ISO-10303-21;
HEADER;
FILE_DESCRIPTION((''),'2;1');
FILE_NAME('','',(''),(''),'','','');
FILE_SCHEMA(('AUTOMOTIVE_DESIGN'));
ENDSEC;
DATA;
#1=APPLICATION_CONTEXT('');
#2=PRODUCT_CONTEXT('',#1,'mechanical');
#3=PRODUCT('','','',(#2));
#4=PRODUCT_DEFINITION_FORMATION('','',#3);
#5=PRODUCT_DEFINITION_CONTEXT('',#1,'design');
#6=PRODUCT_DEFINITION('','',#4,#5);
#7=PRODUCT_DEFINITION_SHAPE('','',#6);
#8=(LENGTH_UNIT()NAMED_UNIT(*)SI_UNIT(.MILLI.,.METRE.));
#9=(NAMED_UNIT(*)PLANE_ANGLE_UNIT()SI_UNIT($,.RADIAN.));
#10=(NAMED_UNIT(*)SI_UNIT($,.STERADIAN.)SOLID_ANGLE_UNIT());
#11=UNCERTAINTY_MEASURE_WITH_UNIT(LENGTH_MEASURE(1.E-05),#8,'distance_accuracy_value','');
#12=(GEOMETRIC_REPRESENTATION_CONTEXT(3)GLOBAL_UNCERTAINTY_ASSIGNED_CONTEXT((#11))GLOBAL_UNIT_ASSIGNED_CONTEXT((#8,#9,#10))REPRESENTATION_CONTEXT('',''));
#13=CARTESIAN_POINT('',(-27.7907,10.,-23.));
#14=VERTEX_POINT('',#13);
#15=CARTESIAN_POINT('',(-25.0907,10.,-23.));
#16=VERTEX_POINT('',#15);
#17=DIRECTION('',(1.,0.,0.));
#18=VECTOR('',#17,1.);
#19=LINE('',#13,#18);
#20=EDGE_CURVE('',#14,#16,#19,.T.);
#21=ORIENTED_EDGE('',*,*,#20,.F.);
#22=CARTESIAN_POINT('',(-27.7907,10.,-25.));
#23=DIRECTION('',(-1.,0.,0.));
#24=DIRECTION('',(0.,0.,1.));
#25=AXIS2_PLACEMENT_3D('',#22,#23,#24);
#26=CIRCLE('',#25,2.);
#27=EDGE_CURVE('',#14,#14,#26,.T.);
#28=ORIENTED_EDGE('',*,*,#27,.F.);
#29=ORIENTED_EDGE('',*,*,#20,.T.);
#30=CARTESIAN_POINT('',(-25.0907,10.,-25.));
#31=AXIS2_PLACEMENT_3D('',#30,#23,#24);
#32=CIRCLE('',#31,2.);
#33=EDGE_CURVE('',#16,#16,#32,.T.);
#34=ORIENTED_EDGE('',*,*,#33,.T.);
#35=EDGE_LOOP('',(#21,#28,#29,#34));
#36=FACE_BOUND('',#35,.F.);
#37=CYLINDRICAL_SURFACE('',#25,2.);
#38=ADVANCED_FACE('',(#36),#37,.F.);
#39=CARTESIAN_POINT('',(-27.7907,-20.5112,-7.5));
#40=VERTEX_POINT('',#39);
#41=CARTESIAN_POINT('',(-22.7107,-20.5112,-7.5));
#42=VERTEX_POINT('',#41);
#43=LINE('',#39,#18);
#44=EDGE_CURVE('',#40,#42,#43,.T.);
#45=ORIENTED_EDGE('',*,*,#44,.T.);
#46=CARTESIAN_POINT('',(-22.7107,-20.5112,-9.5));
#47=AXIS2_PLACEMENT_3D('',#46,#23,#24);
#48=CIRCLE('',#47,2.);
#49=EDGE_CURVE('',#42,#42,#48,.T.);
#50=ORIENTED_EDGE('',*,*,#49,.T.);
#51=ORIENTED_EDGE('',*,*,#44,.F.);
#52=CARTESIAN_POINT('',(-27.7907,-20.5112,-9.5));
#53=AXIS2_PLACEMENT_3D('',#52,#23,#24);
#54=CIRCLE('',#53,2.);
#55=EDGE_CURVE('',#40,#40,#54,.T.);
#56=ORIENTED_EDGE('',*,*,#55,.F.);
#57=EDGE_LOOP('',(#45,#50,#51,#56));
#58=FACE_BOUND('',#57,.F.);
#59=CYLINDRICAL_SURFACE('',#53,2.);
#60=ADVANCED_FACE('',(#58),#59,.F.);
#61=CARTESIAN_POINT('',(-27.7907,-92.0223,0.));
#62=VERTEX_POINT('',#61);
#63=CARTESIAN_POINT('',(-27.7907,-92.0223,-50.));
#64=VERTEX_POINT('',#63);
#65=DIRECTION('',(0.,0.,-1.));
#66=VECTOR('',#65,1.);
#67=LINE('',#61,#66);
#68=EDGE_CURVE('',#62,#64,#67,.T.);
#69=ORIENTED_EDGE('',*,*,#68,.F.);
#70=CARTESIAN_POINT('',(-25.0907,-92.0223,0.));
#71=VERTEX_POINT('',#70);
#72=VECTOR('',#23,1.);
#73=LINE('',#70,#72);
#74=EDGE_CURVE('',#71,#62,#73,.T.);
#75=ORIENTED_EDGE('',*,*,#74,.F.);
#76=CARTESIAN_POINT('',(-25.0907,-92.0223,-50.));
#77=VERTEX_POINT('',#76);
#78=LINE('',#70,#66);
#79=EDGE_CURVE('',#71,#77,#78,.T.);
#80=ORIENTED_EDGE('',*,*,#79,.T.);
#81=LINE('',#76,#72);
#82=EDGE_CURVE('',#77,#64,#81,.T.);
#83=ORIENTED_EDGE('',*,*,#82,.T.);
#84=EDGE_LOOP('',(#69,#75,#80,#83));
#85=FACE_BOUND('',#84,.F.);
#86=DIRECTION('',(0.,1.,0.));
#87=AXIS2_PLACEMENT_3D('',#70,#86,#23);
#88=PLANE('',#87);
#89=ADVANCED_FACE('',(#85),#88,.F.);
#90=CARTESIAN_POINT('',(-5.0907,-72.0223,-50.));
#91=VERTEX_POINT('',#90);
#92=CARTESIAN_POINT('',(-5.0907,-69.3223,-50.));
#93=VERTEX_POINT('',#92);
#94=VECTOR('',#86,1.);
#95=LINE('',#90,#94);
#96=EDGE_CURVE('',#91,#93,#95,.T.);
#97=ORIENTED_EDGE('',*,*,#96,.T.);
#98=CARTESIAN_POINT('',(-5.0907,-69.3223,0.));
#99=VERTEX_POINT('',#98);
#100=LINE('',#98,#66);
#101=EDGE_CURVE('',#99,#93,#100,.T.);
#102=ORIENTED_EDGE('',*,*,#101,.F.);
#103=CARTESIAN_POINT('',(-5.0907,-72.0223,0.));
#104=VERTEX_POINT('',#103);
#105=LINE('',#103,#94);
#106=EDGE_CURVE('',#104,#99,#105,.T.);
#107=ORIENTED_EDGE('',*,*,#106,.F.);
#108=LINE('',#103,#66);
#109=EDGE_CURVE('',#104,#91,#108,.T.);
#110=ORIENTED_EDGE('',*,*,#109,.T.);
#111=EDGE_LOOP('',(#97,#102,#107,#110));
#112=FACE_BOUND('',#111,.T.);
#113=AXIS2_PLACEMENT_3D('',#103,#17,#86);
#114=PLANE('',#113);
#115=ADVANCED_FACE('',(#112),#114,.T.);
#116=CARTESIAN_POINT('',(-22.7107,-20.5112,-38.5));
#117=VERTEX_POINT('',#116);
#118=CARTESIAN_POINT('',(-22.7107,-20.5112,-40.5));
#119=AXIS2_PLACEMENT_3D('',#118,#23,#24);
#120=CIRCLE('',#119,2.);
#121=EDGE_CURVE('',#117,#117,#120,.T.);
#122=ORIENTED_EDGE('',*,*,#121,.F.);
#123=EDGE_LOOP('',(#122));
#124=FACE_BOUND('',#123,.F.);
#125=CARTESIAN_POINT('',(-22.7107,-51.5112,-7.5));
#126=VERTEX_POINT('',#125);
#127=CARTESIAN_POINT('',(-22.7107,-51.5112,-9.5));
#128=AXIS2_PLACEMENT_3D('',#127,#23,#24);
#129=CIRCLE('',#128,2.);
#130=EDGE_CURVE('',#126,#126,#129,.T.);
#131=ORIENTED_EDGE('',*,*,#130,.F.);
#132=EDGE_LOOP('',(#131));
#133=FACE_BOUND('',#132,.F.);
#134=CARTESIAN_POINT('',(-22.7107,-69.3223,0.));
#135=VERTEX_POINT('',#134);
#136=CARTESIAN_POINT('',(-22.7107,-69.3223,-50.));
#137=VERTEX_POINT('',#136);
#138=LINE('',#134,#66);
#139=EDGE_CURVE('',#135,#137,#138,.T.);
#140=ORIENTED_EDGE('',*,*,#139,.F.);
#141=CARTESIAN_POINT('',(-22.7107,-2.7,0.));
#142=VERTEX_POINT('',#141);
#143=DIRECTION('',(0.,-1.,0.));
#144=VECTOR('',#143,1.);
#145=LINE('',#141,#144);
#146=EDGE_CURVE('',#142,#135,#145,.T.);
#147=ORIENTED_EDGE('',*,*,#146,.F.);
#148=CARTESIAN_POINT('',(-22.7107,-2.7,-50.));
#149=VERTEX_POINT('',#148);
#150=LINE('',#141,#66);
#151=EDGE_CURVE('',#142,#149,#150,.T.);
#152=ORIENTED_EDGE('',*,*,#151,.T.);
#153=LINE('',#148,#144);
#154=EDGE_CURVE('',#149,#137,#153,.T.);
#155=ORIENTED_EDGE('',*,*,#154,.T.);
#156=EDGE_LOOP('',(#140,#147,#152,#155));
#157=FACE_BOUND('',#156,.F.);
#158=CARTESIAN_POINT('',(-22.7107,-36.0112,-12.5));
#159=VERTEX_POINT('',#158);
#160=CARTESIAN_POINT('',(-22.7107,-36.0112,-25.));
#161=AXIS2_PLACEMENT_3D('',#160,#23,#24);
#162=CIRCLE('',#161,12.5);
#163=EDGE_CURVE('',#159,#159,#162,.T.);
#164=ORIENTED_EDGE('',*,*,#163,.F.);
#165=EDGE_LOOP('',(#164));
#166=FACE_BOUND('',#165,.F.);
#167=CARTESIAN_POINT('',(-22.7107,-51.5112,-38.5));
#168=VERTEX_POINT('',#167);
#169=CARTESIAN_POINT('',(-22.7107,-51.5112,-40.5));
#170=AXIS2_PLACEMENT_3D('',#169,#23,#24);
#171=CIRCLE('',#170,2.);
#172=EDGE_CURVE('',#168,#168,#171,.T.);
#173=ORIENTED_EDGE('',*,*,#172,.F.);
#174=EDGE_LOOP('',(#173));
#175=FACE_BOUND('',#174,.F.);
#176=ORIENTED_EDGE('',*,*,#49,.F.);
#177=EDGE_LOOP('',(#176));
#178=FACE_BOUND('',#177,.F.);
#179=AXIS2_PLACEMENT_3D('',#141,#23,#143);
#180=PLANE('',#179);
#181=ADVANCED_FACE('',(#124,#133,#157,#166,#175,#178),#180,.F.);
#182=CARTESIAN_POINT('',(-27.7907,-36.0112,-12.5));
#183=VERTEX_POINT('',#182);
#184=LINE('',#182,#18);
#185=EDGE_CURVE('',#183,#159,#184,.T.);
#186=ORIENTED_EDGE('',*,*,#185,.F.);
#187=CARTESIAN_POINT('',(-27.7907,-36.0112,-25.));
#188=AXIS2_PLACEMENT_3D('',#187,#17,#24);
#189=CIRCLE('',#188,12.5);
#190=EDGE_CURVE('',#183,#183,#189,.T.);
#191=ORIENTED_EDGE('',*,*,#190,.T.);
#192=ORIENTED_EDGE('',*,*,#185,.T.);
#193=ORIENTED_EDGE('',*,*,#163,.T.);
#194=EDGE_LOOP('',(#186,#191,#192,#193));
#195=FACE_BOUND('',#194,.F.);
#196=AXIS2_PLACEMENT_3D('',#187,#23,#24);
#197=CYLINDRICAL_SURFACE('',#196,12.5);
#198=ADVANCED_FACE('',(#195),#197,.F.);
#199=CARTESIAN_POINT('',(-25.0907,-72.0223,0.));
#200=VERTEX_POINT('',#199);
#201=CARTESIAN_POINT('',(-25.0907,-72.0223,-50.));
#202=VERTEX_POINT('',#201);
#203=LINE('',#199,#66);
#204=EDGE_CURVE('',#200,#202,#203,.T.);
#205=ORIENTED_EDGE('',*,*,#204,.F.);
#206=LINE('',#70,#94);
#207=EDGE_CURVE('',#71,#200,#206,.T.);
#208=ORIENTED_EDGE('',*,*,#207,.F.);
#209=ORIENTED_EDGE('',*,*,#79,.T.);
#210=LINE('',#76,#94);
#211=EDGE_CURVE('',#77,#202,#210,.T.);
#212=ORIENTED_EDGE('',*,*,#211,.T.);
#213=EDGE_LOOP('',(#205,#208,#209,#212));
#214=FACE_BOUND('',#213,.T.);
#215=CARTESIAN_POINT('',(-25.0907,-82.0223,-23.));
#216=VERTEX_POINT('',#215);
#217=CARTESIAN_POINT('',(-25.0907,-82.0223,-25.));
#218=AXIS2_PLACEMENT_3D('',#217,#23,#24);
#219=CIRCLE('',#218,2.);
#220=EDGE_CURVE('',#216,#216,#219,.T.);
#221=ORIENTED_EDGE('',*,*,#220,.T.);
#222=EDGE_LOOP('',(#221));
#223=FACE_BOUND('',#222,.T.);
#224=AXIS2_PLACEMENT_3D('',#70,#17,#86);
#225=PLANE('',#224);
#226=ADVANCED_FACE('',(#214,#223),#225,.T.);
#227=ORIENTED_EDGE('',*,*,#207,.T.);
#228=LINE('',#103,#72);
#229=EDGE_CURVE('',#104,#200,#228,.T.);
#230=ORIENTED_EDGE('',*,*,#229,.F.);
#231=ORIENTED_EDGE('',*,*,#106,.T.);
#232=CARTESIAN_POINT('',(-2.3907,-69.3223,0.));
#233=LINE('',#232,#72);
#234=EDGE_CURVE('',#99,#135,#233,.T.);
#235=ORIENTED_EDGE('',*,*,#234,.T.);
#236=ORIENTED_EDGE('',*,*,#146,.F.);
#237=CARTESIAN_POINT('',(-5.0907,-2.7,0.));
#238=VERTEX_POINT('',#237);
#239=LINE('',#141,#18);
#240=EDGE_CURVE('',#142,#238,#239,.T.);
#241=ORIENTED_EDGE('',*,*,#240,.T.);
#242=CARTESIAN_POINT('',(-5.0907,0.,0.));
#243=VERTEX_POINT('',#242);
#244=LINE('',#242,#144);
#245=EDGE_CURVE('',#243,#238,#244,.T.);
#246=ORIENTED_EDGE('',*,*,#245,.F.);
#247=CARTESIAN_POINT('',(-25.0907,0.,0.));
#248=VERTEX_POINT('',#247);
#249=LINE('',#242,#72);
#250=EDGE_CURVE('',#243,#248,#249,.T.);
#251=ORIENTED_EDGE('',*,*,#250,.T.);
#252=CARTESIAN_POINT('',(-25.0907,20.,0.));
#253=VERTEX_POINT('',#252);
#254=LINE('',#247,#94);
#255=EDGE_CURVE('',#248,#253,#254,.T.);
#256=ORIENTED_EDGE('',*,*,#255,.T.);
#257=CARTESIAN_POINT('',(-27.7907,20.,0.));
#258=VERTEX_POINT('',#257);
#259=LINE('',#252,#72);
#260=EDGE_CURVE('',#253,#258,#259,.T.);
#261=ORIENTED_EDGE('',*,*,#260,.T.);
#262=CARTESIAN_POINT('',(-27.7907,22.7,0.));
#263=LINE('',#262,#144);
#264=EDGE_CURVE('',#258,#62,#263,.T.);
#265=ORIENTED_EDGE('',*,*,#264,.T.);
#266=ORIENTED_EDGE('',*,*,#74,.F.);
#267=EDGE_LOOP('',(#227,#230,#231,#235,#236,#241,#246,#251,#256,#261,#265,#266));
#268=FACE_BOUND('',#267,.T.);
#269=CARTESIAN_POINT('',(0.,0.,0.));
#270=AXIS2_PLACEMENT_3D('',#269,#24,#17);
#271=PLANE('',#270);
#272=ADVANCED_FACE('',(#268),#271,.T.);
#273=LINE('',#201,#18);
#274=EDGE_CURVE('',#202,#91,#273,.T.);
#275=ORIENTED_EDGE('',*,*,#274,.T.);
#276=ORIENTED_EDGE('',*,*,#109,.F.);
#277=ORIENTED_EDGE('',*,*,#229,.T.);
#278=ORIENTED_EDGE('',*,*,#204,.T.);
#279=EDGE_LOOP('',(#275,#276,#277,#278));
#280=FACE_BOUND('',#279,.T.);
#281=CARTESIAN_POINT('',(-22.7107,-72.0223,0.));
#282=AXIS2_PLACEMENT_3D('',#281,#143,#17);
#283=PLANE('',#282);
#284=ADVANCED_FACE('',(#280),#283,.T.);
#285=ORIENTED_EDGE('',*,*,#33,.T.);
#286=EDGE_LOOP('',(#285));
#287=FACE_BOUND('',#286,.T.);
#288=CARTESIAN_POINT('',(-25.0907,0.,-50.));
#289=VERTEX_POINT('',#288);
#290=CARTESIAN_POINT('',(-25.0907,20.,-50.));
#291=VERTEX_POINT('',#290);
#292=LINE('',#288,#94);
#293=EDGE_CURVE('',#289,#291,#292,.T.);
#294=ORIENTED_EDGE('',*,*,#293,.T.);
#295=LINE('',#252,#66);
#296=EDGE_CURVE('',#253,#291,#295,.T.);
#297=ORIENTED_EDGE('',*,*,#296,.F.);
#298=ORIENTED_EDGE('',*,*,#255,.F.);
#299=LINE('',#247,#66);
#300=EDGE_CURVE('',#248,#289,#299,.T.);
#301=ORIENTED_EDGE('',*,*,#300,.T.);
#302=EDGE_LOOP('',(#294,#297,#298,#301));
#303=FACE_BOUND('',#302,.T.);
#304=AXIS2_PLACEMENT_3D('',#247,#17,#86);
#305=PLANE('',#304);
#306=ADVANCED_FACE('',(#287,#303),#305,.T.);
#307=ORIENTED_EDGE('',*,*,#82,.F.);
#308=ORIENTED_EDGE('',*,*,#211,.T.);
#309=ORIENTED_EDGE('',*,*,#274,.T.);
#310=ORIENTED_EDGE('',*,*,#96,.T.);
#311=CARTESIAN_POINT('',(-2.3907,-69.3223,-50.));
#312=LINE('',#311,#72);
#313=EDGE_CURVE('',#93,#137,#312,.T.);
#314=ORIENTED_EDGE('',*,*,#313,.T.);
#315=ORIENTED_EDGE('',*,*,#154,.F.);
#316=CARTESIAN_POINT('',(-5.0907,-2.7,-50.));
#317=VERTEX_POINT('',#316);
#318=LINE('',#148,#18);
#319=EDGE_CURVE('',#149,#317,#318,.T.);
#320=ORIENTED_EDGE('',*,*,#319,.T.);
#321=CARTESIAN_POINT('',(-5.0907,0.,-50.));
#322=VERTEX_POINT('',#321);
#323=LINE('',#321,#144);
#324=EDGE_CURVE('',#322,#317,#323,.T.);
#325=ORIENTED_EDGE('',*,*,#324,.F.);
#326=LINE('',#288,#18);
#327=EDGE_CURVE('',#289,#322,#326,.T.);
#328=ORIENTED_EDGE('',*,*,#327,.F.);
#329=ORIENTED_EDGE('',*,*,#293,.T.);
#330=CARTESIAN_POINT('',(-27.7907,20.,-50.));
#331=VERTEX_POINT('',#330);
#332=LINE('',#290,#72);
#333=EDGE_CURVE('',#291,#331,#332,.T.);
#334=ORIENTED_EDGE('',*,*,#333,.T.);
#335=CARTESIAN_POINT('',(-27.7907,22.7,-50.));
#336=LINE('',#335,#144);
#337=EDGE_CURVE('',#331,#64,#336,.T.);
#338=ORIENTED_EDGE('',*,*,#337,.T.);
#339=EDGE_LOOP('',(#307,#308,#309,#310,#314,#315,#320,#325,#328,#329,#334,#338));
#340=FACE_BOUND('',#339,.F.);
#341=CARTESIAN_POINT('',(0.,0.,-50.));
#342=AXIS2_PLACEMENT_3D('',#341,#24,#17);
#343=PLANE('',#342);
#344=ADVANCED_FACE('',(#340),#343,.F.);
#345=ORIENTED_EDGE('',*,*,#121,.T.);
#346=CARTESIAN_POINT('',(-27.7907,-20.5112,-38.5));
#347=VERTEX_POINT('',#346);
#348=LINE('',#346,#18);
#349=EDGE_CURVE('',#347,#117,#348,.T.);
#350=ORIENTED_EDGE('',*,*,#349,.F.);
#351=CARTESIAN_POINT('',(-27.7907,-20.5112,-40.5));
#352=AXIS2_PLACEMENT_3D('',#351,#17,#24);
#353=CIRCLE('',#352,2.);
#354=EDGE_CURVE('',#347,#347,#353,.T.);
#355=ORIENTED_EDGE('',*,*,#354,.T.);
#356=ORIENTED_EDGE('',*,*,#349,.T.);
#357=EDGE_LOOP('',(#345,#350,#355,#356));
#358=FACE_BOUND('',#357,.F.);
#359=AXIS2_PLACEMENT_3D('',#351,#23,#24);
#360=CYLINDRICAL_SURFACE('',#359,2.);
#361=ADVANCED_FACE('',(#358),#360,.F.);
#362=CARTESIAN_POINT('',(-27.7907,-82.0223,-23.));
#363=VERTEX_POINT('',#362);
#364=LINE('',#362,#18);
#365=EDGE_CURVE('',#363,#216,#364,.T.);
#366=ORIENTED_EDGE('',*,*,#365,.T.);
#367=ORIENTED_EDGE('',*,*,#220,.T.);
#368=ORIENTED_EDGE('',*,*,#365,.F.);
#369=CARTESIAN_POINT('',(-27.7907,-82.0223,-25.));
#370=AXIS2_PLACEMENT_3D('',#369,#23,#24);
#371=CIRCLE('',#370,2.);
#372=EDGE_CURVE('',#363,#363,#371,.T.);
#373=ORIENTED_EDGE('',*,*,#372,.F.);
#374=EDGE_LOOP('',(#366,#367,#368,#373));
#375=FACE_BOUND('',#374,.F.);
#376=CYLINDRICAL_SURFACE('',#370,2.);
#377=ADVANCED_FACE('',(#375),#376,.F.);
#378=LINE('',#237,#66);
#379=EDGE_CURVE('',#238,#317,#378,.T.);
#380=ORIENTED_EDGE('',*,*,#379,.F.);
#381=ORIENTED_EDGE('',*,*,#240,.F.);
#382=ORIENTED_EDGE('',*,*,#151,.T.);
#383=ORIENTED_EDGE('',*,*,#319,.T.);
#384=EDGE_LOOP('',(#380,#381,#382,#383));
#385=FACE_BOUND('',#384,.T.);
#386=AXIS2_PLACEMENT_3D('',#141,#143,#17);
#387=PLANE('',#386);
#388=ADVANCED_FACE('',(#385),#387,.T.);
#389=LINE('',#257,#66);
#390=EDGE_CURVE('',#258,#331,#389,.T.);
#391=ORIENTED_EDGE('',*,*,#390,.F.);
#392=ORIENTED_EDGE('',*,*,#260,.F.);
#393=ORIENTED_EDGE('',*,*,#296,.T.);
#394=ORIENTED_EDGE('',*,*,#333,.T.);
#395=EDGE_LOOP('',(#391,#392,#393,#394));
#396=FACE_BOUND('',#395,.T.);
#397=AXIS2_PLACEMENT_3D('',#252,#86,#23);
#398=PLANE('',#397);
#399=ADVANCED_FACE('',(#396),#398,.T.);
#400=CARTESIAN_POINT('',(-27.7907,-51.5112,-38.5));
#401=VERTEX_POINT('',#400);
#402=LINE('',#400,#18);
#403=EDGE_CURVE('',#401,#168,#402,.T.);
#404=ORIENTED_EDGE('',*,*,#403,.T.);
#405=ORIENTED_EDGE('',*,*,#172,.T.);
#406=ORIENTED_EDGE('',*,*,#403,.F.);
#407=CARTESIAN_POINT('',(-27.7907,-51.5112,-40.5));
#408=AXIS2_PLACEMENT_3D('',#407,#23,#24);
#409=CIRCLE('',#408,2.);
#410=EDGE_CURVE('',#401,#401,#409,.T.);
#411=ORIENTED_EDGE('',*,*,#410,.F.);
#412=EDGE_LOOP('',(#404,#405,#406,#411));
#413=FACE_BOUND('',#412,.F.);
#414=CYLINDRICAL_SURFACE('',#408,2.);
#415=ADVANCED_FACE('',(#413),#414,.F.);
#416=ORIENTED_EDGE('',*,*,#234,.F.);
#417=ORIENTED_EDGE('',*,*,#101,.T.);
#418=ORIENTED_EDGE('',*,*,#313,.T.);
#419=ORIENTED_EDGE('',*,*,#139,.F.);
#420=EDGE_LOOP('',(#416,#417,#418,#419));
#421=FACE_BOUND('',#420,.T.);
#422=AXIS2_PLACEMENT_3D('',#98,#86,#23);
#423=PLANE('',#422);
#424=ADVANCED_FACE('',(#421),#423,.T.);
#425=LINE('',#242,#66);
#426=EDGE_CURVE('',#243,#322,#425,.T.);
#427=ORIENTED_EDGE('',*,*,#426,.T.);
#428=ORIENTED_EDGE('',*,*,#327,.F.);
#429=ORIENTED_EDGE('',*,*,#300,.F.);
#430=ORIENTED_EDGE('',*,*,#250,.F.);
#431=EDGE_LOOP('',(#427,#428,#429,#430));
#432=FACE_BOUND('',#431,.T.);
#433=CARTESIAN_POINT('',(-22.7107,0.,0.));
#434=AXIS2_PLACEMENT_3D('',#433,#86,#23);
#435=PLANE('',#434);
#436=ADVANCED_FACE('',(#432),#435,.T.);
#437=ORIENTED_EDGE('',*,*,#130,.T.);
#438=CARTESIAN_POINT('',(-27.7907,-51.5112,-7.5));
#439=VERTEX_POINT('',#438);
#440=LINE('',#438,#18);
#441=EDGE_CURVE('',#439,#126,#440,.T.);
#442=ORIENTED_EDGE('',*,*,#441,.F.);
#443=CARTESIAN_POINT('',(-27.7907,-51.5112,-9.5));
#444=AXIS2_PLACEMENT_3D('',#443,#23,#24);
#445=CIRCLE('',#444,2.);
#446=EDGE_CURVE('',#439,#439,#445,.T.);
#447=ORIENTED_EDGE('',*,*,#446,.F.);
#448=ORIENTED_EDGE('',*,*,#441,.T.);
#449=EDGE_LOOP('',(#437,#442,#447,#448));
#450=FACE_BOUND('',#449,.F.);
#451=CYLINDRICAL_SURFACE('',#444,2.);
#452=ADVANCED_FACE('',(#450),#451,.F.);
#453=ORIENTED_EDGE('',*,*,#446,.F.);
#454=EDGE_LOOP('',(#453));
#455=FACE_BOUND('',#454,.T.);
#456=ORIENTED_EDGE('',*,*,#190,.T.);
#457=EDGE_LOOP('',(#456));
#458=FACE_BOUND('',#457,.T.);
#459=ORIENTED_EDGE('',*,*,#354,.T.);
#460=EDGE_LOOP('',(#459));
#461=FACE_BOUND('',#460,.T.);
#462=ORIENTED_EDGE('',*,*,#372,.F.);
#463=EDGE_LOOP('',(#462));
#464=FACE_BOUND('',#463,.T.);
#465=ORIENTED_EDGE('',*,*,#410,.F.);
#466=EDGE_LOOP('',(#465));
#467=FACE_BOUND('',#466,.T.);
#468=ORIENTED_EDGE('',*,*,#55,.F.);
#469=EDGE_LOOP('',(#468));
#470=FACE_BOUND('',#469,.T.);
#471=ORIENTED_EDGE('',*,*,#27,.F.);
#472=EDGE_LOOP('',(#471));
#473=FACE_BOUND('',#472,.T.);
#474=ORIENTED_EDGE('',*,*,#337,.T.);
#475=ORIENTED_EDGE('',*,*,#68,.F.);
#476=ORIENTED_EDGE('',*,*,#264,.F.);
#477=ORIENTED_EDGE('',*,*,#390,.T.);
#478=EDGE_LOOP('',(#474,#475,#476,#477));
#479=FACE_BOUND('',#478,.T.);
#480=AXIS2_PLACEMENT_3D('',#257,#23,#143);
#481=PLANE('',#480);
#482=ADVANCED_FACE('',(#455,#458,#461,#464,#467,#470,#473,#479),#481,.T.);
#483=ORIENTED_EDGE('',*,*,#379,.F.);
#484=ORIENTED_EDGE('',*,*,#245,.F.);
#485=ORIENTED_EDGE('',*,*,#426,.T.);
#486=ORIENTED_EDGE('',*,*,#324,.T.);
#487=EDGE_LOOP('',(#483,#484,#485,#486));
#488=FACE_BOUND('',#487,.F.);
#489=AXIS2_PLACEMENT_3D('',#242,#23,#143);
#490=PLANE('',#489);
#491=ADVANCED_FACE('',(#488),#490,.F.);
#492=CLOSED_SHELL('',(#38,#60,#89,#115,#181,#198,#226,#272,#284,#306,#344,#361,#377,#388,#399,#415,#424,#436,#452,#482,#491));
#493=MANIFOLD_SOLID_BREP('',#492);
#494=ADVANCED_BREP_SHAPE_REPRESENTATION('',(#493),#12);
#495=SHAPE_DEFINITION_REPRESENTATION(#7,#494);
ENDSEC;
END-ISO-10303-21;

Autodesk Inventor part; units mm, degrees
ref_plane "YZ Plane" through (0, 0, 0) normal (1, 0, 0) x (0, 1, 0)
ref_plane "XZ Plane" through (0, 0, 0) normal (0, 1, 0) x (-1, 0, 0)
ref_plane "XY Plane" through (0, 0, 0) normal (0, 0, 1) x (1, 0, 0)
sketch "Sketch1" plane through (0, 0, 0) normal (0, 0, 1) x (1, 0, 0)
  line L0 (-5.0907, -72.0223) -> (-5.0907, -92.0223)
  line L1 (-5.0907, -92.0223) -> (-25.0907, -92.0223)
  line L2 (-25.0907, -92.0223) -> (-25.0907, -72.0223)
  line L3 (-25.0907, -72.0223) -> (-5.0907, -72.0223)
  line L4 (-5.0907, 0) -> (-25.0907, 0)
  line L5 (-25.0907, 0) -> (-25.0907, 20)
  line L6 (-25.0907, 20) -> (-5.0907, 20)
  line L7 (-5.0907, 20) -> (-5.0907, 0)
  line L8 (-22.7107, -2.7) -> (-2.3907, -2.7)
  line L9 (-2.3907, -2.7) -> (-2.3907, 22.7)
  line L10 (-2.3907, 22.7) -> (-27.7907, 22.7)
  line L11 (-27.7907, 22.7) -> (-27.7907, -94.7223)
  line L12 (-27.7907, -94.7223) -> (-2.3907, -94.7223)
  line L13 (-2.3907, -94.7223) -> (-2.3907, -69.3223)
  line L14 (-2.3907, -69.3223) -> (-22.7107, -69.3223)
  line L15 (-22.7107, -2.7) -> (-22.7107, -69.3223)
  line L16 (-25.0907, 20) -> (-25.0907, 22.7)
  line L17 (-22.7107, -2.7) -> (-22.7107, 0)
  line L18 (-22.7107, -69.3223) -> (-22.7107, -72.0223)
  line L19 (-25.0907, -92.0223) -> (-27.7907, -92.0223)
  line L20 (-25.0907, 20) -> (-27.7907, 20)
  line L21 (-5.0907, 0) -> (-5.0907, -2.7)
  line L22 (-5.0907, -72.0223) -> (-5.0907, -69.3223)
  point P0 (0, 0)
extrude "Extrusion1" add sketch "Sketch1" against normal blind 50 contours L3 L18 L14 L22 | L3 L2 L19 L11 L20 L5 L4 L17 L15 L18 | L17 L4 L21 L8
sketch "Sketch2" plane through (-27.7907, -92.0223, 0) normal (-1, 0, 0) x (0, 0, 1)
  line L0 (0, 112.0223) -> (0, 0)
  line L1 (0, 112.0223) -> (-50, 112.0223)
  line L2 (-50, 0) -> (-50, 112.0223)
  line L3 (0, 0) -> (-50, 0)
  circle A0 centre (-25, 56.0111) radius 12.5
  line L4 (-25, 56.0111) -> (-40.5, 56.0111)
  line L5 (-40.5, 56.0111) -> (-40.5, 71.5111)
  circle A1 centre (-40.5, 71.5111) radius 2
  circle A2 centre (-40.5, 40.5111) radius 2
  circle A3 centre (-9.5, 71.5111) radius 2
  circle A4 centre (-9.5, 40.5111) radius 2
  point P0 (0, 92.0223)
  dimension "d2" = 25
  dimension "d3" = 15.5
  dimension "d4" = 15.5
  dimension "d5" = 4
  dimension "d8" = 31
  dimension "d11" = 31
extrude "Extrusion2" cut sketch "Sketch2" against normal blind 50 contours A0 | A1 | A2 | A3 | A4
sketch "Sketch3" plane through (-27.7907, -92.0223, 0) normal (-1, 0, 0) x (0, 0, 1)
  circle A0 centre (-9.5, 40.5111) radius 2
  circle A1 centre (-40.5, 40.5111) radius 2
  circle A2 centre (-40.5, 71.5111) radius 2
  circle A3 centre (-9.5, 71.5111) radius 2
  circle A4 centre (-25, 56.0111) radius 12.5
  line L0 (0, 112.0223) -> (0, 0)
  line L1 (0, 112.0223) -> (-50, 112.0223)
  line L2 (-50, 0) -> (-50, 112.0223)
  line L3 (0, 0) -> (-50, 0)
  line L4 (-619.5788, 92.0223) -> (142.4212, 92.0223)
  line L5 (142.4212, 112.0223) -> (142.4212, 92.0223)
  line L6 (142.4212, 112.0223) -> (-619.5788, 112.0223)
  line L7 (-619.5788, 92.0223) -> (-619.5788, 112.0223)
  circle A5 centre (-25, 102.0223) radius 2
  circle A6 centre (-9.5, 40.5111) radius 2
  circle A7 centre (-40.5, 40.5111) radius 2
  circle A8 centre (-40.5, 71.5111) radius 2
  circle A9 centre (-9.5, 71.5111) radius 2
  circle A10 centre (-25, 56.0111) radius 12.5
  line L8 (0, 112.0223) -> (0, 0)
  line L9 (0, 112.0223) -> (-50, 112.0223)
  line L10 (-50, 0) -> (-50, 112.0223)
  line L11 (0, 0) -> (-50, 0)
  line L12 (-619.5855, 0) -> (142.4145, 0)
  line L13 (142.4145, 20) -> (142.4145, 0)
  line L14 (142.4145, 20) -> (-619.5855, 20)
  line L15 (-619.5855, 0) -> (-619.5855, 20)
  circle A11 centre (-25, 10) radius 2
  point P0 (0, 92.0223)
  dimension "d16" = 4
  dimension "d17" = 4
extrude "Extrusion3" cut sketch "Sketch3" against normal blind 50 contours A5 | A11
properties part number "SecondExtruder"
